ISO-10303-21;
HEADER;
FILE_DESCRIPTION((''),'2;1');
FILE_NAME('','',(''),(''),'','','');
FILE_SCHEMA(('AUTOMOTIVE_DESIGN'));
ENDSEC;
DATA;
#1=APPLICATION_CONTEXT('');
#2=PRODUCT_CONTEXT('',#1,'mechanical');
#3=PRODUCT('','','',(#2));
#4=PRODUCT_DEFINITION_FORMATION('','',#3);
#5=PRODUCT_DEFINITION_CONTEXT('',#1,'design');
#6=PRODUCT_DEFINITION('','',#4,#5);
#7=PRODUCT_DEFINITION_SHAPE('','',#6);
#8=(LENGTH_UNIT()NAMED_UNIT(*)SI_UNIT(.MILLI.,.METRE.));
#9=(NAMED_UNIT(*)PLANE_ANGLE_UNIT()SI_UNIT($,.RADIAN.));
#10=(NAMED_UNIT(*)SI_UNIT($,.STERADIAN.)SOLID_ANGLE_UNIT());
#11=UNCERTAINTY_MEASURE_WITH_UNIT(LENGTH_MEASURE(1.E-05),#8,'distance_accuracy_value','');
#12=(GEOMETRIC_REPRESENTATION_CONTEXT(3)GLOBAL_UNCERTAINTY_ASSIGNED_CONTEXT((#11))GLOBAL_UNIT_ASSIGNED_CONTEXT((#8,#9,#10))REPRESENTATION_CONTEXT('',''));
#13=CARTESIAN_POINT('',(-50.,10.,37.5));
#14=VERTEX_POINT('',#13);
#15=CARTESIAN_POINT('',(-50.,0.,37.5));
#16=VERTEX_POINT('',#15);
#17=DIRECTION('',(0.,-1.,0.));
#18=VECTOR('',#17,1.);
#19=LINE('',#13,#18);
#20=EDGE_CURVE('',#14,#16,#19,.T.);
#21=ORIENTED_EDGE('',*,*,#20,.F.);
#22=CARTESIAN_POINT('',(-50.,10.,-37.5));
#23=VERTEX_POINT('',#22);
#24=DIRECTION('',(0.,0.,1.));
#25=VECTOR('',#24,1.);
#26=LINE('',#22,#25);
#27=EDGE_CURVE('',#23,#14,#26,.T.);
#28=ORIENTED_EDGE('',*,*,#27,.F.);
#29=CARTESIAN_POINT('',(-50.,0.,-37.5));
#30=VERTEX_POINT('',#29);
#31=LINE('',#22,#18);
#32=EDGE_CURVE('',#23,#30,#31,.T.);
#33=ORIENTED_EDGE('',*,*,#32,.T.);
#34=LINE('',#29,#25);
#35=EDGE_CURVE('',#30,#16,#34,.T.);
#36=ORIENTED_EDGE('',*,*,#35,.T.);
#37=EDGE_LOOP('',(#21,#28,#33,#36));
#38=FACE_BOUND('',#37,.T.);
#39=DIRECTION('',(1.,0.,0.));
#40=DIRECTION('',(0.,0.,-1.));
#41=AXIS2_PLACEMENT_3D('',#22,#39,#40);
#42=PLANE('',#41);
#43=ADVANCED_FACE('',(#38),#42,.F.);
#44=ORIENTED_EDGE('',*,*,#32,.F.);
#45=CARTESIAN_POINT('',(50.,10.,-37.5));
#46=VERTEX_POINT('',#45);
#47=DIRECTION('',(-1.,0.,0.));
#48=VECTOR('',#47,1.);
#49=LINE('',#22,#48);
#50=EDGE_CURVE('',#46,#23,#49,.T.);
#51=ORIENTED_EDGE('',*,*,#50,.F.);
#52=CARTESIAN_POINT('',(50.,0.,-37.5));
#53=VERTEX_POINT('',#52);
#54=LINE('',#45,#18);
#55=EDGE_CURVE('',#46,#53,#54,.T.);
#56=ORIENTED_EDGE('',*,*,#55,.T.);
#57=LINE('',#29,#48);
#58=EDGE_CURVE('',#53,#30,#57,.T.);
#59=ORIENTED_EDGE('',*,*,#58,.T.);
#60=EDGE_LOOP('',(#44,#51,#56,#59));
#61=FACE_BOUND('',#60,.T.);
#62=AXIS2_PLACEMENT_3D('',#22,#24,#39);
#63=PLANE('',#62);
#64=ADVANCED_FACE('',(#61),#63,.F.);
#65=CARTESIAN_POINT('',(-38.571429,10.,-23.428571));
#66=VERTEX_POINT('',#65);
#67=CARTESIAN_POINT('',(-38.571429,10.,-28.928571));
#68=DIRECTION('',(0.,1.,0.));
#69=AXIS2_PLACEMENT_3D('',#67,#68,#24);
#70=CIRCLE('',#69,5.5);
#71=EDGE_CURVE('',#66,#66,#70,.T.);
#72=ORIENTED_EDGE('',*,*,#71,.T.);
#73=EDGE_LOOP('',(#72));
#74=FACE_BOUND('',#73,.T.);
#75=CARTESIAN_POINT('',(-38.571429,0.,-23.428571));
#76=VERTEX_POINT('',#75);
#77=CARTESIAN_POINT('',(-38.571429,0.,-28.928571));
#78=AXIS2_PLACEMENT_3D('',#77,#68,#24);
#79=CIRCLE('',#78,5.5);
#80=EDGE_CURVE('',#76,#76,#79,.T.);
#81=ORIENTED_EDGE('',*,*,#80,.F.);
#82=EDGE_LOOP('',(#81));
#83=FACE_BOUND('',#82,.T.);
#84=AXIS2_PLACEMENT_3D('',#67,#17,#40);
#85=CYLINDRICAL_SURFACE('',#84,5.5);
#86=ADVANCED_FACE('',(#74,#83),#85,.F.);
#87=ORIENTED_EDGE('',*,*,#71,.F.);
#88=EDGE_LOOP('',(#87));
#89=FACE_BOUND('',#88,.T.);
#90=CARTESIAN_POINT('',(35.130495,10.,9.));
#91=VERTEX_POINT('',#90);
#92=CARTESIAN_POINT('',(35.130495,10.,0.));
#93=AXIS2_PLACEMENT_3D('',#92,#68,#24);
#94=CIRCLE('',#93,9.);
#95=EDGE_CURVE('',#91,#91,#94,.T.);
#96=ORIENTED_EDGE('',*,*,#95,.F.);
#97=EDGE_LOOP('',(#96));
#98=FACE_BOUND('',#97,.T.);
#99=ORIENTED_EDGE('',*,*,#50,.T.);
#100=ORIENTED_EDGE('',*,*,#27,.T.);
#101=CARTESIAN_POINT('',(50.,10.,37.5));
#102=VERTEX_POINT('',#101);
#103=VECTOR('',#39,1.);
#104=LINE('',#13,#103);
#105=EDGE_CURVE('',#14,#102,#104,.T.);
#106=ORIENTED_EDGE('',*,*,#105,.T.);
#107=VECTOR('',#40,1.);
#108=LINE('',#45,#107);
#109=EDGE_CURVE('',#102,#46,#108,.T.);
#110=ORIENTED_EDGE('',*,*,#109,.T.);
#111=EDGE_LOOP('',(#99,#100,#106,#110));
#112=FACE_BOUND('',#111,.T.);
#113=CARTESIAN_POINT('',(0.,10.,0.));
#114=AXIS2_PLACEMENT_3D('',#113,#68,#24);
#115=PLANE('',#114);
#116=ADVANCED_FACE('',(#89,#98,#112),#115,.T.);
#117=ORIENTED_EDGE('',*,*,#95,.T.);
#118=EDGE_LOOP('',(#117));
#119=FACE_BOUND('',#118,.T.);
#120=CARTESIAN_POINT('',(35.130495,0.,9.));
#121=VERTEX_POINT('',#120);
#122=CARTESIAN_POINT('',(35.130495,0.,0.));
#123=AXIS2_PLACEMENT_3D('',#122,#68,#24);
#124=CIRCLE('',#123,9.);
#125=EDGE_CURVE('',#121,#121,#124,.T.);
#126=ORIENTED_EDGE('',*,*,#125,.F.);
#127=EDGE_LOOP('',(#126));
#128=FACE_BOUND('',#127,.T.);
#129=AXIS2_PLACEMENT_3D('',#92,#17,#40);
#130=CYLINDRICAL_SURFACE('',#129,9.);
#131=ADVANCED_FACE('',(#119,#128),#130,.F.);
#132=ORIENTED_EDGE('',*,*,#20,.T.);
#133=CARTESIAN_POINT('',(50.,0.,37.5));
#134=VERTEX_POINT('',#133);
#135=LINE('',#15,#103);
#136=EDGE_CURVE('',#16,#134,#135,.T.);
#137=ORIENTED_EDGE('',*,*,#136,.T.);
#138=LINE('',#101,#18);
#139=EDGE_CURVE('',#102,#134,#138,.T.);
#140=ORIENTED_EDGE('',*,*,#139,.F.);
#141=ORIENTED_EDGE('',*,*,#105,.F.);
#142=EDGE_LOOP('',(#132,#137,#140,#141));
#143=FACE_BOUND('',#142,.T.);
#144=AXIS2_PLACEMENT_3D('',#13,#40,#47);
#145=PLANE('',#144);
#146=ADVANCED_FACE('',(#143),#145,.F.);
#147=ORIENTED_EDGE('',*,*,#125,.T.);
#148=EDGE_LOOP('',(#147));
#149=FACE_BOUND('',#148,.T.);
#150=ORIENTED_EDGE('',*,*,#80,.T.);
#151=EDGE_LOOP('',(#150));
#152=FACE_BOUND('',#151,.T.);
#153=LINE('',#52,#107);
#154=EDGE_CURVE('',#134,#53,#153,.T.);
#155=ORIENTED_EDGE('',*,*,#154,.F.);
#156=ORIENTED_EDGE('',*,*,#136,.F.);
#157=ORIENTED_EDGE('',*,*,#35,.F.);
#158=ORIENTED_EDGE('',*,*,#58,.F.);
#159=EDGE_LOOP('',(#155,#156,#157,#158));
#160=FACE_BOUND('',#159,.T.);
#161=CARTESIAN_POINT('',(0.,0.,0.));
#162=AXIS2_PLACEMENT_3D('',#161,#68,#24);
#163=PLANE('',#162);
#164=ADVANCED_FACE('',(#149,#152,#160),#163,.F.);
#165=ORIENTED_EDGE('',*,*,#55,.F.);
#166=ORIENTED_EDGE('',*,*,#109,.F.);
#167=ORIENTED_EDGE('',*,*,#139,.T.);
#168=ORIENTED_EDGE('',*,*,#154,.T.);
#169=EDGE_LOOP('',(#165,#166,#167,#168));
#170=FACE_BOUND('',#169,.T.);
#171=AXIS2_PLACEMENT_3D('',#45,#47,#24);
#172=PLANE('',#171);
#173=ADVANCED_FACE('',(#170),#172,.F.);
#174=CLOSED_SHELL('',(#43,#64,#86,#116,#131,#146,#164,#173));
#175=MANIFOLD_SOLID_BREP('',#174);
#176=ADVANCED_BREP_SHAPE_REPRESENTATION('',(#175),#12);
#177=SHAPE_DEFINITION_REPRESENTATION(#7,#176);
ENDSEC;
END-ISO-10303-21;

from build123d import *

# Parameters (mm, degrees)
SKETCH1_W           = 100
SKETCH1_H           = 75
SKETCH1_R           = 9
SKETCH1_R_2         = 5.5
BOSS_EXTRUDE1_DEPTH = 10


with BuildPart() as part:
    # Sketch1 → Boss-Extrude1 (new body)
    with BuildSketch(Plane(origin=(0, 0, 0), x_dir=(1, 0, 0), z_dir=(0, 1, 0))):
        Rectangle(SKETCH1_W, SKETCH1_H)
        with Locations(Location((35.130494505, 0, 0), (0, 0, 270))):
            Circle(SKETCH1_R, mode=Mode.SUBTRACT)
        with Locations(Location((-38.571428571, 28.928571429, 0), (0, 0, 270))):
            Circle(SKETCH1_R_2, mode=Mode.SUBTRACT)
    extrude(amount=BOSS_EXTRUDE1_DEPTH)


solid = part.part
